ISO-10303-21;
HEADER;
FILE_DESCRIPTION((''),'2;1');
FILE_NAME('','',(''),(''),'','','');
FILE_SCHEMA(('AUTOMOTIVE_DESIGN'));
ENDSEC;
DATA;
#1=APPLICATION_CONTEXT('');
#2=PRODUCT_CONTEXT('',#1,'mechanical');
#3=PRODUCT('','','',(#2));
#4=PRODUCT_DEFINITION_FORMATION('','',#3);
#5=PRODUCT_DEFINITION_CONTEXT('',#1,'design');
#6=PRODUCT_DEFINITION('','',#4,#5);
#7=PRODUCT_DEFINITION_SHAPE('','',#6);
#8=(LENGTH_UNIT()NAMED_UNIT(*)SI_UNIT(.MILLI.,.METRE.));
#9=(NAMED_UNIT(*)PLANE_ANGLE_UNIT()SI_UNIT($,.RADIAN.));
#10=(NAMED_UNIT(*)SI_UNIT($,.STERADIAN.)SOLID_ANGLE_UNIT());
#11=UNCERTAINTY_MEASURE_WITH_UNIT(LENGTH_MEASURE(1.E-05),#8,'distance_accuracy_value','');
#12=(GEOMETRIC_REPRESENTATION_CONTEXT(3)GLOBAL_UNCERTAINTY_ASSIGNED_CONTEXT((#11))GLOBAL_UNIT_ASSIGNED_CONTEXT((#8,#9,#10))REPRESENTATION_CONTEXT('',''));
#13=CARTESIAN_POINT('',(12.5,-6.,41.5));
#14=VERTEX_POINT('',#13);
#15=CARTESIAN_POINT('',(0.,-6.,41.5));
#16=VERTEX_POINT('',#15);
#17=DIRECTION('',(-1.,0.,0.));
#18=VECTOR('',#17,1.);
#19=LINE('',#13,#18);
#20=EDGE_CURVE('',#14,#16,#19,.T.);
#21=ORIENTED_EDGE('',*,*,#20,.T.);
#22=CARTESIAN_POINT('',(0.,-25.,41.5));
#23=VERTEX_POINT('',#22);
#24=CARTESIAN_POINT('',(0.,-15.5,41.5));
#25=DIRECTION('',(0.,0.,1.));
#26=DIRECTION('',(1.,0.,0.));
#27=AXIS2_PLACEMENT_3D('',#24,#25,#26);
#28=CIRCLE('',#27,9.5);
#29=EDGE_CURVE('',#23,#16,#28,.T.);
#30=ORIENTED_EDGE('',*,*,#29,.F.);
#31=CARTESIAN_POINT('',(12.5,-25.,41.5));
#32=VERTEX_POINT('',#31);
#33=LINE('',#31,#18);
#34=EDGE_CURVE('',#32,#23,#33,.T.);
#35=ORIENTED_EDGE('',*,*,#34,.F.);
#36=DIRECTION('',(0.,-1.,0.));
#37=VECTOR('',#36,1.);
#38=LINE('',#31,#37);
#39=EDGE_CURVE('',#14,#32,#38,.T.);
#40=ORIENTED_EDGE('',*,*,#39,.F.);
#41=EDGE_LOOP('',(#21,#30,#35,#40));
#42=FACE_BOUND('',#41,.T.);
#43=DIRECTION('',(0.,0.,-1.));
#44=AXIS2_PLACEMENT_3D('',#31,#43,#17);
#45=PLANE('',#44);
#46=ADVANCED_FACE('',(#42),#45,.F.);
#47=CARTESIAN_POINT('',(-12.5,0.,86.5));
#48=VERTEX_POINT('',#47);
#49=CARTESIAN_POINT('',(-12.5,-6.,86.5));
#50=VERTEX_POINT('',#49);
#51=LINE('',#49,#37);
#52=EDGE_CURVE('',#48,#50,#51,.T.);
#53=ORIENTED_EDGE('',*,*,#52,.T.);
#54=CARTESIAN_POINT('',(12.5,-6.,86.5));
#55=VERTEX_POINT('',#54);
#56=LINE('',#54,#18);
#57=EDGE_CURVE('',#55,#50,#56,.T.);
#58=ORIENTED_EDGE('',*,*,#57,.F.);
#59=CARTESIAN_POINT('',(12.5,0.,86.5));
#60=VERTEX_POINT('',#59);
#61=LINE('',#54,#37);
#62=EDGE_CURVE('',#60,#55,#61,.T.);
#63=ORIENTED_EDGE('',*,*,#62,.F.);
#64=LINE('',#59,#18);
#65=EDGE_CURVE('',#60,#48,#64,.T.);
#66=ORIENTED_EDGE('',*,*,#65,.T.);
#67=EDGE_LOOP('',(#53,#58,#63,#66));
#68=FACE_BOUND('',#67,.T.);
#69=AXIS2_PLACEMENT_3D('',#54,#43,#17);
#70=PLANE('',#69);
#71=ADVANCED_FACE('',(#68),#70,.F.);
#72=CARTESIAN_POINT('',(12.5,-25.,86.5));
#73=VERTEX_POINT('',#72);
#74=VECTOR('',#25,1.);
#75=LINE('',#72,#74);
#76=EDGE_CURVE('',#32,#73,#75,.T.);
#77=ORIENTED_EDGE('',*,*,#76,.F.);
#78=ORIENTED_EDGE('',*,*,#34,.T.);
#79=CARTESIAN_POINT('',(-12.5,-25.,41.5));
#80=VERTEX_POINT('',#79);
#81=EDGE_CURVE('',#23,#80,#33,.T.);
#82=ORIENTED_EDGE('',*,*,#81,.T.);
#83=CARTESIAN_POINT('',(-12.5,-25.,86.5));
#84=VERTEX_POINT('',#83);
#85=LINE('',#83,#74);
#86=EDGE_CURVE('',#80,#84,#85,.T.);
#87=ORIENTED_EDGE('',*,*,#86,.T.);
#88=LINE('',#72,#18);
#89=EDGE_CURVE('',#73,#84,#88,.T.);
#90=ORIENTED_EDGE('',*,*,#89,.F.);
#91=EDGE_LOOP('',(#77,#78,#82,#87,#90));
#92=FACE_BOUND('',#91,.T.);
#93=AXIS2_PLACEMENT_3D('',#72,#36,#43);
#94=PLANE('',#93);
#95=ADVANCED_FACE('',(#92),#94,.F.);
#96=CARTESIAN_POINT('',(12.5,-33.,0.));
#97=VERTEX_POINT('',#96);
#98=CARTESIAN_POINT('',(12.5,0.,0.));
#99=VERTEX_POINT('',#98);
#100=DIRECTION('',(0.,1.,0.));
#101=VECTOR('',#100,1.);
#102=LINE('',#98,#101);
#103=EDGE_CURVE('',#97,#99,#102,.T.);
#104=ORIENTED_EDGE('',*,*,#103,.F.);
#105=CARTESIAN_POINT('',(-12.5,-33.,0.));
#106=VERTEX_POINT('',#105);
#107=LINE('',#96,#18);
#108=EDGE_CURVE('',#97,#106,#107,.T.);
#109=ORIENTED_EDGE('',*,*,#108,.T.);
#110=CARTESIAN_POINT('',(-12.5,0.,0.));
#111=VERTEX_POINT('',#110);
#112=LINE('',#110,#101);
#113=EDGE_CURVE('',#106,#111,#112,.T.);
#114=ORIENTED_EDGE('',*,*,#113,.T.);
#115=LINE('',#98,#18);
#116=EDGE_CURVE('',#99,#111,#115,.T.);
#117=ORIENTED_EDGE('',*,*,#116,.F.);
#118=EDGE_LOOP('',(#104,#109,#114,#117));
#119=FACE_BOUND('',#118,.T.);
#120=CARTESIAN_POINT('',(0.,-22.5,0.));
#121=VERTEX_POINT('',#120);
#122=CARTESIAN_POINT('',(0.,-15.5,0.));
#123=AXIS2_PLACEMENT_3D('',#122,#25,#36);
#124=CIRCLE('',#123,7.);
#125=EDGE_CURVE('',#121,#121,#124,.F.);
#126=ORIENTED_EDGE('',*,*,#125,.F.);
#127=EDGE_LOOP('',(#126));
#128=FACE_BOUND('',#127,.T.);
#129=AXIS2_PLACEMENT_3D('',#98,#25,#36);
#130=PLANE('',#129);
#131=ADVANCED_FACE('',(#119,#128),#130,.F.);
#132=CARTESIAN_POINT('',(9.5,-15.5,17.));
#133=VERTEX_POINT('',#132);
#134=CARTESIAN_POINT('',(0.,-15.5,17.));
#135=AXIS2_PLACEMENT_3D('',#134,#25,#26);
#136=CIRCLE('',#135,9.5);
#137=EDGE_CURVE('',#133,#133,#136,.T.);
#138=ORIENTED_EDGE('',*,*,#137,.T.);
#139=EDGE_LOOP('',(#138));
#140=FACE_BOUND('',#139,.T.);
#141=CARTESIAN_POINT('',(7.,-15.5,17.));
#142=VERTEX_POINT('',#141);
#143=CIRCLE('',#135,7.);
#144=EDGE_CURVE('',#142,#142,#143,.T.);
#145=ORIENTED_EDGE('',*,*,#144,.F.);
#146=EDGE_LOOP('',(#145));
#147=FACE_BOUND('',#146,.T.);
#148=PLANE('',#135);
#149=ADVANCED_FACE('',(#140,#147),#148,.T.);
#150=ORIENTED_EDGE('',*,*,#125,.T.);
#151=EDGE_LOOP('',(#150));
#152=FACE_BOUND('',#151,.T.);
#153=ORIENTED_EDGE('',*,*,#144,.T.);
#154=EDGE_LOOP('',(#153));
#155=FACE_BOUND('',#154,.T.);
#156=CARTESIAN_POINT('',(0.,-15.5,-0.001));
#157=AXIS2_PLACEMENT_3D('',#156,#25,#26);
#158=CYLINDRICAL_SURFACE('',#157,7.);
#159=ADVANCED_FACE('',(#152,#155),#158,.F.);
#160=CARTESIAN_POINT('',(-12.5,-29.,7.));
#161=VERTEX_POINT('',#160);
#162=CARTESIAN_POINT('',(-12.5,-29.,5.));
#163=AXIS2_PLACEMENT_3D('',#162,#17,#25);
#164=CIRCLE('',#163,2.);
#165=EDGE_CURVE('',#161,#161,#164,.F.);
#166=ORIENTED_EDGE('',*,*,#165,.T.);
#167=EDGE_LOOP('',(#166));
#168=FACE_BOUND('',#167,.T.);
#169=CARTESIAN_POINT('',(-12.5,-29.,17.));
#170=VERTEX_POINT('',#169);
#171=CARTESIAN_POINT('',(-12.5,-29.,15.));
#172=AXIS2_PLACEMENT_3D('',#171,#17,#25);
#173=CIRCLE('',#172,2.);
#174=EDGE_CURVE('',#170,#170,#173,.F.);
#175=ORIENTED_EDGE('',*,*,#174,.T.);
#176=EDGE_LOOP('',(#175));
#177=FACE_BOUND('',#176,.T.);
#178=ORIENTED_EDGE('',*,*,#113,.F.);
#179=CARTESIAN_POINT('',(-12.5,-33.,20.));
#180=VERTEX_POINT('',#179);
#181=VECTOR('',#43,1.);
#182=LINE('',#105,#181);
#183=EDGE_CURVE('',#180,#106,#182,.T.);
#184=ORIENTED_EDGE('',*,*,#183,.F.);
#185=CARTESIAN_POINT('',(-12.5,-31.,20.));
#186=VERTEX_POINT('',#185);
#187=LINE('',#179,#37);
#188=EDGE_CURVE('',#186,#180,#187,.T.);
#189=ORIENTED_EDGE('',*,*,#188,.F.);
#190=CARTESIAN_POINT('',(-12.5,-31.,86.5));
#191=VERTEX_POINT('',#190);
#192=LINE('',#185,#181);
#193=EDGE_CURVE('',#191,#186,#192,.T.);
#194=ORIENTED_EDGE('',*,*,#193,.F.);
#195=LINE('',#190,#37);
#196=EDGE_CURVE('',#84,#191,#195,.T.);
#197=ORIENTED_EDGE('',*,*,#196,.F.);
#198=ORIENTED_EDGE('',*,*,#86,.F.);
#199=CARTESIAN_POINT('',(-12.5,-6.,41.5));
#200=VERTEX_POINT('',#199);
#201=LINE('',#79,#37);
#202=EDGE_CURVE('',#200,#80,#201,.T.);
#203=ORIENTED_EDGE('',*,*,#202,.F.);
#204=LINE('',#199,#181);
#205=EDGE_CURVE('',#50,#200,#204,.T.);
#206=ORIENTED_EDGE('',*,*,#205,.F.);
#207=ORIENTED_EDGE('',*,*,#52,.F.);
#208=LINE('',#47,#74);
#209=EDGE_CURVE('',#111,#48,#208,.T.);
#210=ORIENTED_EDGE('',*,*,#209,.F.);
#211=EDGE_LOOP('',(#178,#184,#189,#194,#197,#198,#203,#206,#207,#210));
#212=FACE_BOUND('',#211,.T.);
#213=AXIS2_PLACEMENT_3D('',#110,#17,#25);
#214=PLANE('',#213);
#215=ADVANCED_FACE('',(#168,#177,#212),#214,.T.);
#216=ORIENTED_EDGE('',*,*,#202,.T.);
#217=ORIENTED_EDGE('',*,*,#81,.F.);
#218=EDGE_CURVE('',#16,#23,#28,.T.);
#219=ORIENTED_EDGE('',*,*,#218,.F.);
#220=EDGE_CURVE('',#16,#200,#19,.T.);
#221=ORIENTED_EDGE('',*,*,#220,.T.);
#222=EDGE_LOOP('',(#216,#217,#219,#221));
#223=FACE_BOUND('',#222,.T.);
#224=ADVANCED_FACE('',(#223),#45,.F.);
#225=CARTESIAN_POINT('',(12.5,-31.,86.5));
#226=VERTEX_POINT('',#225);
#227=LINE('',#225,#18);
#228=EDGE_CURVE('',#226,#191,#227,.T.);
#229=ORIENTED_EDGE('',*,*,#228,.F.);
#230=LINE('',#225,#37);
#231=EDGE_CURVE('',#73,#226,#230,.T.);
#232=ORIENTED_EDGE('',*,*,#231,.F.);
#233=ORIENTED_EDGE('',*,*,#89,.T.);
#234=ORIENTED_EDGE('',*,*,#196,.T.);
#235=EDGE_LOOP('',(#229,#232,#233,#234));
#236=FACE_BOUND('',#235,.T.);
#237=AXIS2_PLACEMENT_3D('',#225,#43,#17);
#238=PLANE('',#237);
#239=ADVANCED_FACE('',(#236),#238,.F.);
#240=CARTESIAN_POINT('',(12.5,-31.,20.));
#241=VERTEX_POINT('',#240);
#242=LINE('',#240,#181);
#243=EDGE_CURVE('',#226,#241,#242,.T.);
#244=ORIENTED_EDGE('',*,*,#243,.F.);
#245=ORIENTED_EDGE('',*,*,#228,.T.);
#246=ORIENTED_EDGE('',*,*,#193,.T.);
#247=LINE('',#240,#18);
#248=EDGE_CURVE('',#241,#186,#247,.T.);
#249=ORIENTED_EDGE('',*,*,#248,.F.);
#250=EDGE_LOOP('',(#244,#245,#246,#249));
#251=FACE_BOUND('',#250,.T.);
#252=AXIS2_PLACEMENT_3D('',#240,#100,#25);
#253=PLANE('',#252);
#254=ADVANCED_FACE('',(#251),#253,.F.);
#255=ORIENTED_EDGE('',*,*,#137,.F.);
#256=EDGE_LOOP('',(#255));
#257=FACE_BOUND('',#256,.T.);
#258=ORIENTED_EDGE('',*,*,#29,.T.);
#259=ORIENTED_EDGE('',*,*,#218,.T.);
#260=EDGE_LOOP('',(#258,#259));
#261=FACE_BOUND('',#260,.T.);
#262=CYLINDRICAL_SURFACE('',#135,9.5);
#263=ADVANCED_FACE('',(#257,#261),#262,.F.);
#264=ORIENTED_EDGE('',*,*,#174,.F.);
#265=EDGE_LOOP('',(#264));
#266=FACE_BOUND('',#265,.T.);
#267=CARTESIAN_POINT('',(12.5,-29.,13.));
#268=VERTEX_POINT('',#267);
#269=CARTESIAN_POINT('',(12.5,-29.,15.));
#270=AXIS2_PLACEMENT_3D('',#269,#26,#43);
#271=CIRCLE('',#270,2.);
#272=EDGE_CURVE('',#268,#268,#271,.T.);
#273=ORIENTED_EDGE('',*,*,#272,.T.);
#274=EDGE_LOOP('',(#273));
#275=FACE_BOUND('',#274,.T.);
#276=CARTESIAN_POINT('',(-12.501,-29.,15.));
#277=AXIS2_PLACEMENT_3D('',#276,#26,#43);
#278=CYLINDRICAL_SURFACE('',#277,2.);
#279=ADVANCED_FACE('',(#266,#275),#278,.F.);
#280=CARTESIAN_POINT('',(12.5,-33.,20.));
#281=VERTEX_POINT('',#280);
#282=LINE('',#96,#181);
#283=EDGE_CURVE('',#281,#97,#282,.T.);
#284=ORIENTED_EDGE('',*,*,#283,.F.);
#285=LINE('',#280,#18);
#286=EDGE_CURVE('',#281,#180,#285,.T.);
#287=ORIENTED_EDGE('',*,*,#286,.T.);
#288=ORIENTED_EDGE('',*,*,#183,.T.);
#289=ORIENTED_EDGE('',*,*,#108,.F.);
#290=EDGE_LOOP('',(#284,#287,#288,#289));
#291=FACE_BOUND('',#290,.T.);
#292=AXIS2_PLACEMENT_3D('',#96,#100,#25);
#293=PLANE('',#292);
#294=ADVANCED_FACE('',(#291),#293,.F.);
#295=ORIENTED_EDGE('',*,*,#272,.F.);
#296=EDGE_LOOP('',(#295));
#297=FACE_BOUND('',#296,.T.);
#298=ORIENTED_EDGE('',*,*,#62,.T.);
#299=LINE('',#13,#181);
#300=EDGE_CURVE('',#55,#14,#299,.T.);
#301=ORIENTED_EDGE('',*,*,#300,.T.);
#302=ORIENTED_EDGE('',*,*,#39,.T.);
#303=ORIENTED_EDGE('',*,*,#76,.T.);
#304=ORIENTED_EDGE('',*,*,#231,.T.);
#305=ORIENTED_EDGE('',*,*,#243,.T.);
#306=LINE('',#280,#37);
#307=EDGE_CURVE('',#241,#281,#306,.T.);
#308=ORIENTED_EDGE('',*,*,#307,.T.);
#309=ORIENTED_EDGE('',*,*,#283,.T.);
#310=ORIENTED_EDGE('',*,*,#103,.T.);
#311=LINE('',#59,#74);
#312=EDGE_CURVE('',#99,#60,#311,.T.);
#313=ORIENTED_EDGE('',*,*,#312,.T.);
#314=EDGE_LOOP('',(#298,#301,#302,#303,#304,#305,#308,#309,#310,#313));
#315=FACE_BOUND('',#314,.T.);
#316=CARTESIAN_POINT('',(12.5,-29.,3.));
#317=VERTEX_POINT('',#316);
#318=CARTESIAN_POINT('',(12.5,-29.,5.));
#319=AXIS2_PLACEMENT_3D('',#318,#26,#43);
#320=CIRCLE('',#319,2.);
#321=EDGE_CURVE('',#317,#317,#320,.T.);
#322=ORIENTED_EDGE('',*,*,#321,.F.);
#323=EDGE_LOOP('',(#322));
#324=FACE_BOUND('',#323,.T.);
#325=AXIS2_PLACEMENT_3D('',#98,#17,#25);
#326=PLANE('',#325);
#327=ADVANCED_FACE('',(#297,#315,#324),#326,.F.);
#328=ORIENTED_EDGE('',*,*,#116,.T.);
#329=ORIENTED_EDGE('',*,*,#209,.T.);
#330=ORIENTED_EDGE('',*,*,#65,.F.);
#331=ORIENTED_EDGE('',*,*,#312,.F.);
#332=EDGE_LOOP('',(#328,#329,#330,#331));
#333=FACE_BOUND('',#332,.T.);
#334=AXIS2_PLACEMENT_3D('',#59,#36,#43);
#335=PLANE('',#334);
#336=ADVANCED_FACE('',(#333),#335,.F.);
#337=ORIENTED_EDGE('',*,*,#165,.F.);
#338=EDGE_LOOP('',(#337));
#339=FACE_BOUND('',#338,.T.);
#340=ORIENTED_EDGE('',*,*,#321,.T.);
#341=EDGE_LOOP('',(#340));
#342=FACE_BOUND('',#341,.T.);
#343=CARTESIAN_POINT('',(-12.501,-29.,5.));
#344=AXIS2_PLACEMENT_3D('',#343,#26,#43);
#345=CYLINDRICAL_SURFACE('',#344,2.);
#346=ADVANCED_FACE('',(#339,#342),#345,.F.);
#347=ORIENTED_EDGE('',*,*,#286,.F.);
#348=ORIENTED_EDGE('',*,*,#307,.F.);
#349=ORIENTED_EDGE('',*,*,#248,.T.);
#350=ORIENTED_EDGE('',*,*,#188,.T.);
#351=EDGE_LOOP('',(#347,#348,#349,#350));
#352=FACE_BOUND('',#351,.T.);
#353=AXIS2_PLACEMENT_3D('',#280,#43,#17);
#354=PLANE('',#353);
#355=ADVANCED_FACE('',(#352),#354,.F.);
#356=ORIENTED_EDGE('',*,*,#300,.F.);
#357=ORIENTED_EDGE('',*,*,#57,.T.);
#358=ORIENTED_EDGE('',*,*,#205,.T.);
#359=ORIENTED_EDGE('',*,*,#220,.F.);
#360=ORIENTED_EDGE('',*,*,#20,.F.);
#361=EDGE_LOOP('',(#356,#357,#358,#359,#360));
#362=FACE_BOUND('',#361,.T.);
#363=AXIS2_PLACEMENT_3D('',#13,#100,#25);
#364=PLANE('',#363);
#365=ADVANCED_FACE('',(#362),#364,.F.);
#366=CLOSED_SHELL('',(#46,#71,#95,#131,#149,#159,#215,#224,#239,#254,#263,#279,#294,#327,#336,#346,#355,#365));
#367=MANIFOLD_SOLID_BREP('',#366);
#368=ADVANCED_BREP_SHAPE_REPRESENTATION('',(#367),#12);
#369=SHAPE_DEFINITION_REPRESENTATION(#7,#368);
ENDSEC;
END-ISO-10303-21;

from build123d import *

# Parameters (mm, degrees)
BOSS_EXTRUDE1_DEPTH = 12.5
SKETCH2_R           = 9.5
CUT_EXTRUDE1_DEPTH  = 24.5
CUT_EXTRUDE2_REACH  = 79.945
SKETCH3_R           = 7
CUT_EXTRUDE3_REACH  = 97.897
SKETCH4_R           = 2


with BuildPart() as part:
    # Sketch1 → Boss-Extrude1 (new, symmetric)
    with BuildSketch(Plane(origin=(0, 0, 0), x_dir=(0, 0, -1), z_dir=(1, 0, 0))):
        Polygon((0, 0), (0, -33), (-20, -33), (-20, -31), (-86.5, -31), (-86.5, -25), (-41.5, -25), (-41.5, -6), (-86.5, -6), (-86.5, 0), align=None)
    extrude(amount=BOSS_EXTRUDE1_DEPTH, both=True)

    # Sketch2 → Cut-Extrude1 (cut)
    with BuildSketch(Plane.XY.offset(41.5)):
        with Locations((0, -15.5)):
            Circle(SKETCH2_R)
    extrude(amount=-CUT_EXTRUDE1_DEPTH, mode=Mode.SUBTRACT)

    # Sketch3 → Cut-Extrude2 (cut, up to next)
    with BuildSketch(Plane.XY.offset(17), mode=Mode.PRIVATE) as cut_extrude2_sk1:
        with Locations((0, -15.5)):
            Circle(SKETCH3_R)
    cut_extrude2_tool1 = extrude(cut_extrude2_sk1.sketch, amount=-CUT_EXTRUDE2_REACH, mode=Mode.PRIVATE) & part.part
    add(cut_extrude2_tool1.solids().sort_by_distance((0, -15.5, 17))[0], mode=Mode.SUBTRACT)

    # Sketch4 → Cut-Extrude3 (cut, up to next)
    with BuildSketch(Plane(origin=(12.5, 0, 0), x_dir=(0, 0, -1), z_dir=(1, 0, 0)), mode=Mode.PRIVATE) as cut_extrude3_sk1:
        with Locations((-15, -29)):
            Circle(SKETCH4_R)
    cut_extrude3_tool1 = extrude(cut_extrude3_sk1.sketch, amount=-CUT_EXTRUDE3_REACH, mode=Mode.PRIVATE) & part.part
    # Sketch4 → Cut-Extrude3 (cut, up to next)
    with BuildSketch(Plane(origin=(12.5, 0, 0), x_dir=(0, 0, -1), z_dir=(1, 0, 0)), mode=Mode.PRIVATE) as cut_extrude3_sk2:
        with Locations((-5, -29)):
            Circle(SKETCH4_R)
    cut_extrude3_tool2 = extrude(cut_extrude3_sk2.sketch, amount=-CUT_EXTRUDE3_REACH, mode=Mode.PRIVATE) & part.part
    add(cut_extrude3_tool1.solids().sort_by_distance((12.5, -29, 15))[0], mode=Mode.SUBTRACT)
    add(cut_extrude3_tool2.solids().sort_by_distance((12.5, -29, 5))[0], mode=Mode.SUBTRACT)


solid = part.part
